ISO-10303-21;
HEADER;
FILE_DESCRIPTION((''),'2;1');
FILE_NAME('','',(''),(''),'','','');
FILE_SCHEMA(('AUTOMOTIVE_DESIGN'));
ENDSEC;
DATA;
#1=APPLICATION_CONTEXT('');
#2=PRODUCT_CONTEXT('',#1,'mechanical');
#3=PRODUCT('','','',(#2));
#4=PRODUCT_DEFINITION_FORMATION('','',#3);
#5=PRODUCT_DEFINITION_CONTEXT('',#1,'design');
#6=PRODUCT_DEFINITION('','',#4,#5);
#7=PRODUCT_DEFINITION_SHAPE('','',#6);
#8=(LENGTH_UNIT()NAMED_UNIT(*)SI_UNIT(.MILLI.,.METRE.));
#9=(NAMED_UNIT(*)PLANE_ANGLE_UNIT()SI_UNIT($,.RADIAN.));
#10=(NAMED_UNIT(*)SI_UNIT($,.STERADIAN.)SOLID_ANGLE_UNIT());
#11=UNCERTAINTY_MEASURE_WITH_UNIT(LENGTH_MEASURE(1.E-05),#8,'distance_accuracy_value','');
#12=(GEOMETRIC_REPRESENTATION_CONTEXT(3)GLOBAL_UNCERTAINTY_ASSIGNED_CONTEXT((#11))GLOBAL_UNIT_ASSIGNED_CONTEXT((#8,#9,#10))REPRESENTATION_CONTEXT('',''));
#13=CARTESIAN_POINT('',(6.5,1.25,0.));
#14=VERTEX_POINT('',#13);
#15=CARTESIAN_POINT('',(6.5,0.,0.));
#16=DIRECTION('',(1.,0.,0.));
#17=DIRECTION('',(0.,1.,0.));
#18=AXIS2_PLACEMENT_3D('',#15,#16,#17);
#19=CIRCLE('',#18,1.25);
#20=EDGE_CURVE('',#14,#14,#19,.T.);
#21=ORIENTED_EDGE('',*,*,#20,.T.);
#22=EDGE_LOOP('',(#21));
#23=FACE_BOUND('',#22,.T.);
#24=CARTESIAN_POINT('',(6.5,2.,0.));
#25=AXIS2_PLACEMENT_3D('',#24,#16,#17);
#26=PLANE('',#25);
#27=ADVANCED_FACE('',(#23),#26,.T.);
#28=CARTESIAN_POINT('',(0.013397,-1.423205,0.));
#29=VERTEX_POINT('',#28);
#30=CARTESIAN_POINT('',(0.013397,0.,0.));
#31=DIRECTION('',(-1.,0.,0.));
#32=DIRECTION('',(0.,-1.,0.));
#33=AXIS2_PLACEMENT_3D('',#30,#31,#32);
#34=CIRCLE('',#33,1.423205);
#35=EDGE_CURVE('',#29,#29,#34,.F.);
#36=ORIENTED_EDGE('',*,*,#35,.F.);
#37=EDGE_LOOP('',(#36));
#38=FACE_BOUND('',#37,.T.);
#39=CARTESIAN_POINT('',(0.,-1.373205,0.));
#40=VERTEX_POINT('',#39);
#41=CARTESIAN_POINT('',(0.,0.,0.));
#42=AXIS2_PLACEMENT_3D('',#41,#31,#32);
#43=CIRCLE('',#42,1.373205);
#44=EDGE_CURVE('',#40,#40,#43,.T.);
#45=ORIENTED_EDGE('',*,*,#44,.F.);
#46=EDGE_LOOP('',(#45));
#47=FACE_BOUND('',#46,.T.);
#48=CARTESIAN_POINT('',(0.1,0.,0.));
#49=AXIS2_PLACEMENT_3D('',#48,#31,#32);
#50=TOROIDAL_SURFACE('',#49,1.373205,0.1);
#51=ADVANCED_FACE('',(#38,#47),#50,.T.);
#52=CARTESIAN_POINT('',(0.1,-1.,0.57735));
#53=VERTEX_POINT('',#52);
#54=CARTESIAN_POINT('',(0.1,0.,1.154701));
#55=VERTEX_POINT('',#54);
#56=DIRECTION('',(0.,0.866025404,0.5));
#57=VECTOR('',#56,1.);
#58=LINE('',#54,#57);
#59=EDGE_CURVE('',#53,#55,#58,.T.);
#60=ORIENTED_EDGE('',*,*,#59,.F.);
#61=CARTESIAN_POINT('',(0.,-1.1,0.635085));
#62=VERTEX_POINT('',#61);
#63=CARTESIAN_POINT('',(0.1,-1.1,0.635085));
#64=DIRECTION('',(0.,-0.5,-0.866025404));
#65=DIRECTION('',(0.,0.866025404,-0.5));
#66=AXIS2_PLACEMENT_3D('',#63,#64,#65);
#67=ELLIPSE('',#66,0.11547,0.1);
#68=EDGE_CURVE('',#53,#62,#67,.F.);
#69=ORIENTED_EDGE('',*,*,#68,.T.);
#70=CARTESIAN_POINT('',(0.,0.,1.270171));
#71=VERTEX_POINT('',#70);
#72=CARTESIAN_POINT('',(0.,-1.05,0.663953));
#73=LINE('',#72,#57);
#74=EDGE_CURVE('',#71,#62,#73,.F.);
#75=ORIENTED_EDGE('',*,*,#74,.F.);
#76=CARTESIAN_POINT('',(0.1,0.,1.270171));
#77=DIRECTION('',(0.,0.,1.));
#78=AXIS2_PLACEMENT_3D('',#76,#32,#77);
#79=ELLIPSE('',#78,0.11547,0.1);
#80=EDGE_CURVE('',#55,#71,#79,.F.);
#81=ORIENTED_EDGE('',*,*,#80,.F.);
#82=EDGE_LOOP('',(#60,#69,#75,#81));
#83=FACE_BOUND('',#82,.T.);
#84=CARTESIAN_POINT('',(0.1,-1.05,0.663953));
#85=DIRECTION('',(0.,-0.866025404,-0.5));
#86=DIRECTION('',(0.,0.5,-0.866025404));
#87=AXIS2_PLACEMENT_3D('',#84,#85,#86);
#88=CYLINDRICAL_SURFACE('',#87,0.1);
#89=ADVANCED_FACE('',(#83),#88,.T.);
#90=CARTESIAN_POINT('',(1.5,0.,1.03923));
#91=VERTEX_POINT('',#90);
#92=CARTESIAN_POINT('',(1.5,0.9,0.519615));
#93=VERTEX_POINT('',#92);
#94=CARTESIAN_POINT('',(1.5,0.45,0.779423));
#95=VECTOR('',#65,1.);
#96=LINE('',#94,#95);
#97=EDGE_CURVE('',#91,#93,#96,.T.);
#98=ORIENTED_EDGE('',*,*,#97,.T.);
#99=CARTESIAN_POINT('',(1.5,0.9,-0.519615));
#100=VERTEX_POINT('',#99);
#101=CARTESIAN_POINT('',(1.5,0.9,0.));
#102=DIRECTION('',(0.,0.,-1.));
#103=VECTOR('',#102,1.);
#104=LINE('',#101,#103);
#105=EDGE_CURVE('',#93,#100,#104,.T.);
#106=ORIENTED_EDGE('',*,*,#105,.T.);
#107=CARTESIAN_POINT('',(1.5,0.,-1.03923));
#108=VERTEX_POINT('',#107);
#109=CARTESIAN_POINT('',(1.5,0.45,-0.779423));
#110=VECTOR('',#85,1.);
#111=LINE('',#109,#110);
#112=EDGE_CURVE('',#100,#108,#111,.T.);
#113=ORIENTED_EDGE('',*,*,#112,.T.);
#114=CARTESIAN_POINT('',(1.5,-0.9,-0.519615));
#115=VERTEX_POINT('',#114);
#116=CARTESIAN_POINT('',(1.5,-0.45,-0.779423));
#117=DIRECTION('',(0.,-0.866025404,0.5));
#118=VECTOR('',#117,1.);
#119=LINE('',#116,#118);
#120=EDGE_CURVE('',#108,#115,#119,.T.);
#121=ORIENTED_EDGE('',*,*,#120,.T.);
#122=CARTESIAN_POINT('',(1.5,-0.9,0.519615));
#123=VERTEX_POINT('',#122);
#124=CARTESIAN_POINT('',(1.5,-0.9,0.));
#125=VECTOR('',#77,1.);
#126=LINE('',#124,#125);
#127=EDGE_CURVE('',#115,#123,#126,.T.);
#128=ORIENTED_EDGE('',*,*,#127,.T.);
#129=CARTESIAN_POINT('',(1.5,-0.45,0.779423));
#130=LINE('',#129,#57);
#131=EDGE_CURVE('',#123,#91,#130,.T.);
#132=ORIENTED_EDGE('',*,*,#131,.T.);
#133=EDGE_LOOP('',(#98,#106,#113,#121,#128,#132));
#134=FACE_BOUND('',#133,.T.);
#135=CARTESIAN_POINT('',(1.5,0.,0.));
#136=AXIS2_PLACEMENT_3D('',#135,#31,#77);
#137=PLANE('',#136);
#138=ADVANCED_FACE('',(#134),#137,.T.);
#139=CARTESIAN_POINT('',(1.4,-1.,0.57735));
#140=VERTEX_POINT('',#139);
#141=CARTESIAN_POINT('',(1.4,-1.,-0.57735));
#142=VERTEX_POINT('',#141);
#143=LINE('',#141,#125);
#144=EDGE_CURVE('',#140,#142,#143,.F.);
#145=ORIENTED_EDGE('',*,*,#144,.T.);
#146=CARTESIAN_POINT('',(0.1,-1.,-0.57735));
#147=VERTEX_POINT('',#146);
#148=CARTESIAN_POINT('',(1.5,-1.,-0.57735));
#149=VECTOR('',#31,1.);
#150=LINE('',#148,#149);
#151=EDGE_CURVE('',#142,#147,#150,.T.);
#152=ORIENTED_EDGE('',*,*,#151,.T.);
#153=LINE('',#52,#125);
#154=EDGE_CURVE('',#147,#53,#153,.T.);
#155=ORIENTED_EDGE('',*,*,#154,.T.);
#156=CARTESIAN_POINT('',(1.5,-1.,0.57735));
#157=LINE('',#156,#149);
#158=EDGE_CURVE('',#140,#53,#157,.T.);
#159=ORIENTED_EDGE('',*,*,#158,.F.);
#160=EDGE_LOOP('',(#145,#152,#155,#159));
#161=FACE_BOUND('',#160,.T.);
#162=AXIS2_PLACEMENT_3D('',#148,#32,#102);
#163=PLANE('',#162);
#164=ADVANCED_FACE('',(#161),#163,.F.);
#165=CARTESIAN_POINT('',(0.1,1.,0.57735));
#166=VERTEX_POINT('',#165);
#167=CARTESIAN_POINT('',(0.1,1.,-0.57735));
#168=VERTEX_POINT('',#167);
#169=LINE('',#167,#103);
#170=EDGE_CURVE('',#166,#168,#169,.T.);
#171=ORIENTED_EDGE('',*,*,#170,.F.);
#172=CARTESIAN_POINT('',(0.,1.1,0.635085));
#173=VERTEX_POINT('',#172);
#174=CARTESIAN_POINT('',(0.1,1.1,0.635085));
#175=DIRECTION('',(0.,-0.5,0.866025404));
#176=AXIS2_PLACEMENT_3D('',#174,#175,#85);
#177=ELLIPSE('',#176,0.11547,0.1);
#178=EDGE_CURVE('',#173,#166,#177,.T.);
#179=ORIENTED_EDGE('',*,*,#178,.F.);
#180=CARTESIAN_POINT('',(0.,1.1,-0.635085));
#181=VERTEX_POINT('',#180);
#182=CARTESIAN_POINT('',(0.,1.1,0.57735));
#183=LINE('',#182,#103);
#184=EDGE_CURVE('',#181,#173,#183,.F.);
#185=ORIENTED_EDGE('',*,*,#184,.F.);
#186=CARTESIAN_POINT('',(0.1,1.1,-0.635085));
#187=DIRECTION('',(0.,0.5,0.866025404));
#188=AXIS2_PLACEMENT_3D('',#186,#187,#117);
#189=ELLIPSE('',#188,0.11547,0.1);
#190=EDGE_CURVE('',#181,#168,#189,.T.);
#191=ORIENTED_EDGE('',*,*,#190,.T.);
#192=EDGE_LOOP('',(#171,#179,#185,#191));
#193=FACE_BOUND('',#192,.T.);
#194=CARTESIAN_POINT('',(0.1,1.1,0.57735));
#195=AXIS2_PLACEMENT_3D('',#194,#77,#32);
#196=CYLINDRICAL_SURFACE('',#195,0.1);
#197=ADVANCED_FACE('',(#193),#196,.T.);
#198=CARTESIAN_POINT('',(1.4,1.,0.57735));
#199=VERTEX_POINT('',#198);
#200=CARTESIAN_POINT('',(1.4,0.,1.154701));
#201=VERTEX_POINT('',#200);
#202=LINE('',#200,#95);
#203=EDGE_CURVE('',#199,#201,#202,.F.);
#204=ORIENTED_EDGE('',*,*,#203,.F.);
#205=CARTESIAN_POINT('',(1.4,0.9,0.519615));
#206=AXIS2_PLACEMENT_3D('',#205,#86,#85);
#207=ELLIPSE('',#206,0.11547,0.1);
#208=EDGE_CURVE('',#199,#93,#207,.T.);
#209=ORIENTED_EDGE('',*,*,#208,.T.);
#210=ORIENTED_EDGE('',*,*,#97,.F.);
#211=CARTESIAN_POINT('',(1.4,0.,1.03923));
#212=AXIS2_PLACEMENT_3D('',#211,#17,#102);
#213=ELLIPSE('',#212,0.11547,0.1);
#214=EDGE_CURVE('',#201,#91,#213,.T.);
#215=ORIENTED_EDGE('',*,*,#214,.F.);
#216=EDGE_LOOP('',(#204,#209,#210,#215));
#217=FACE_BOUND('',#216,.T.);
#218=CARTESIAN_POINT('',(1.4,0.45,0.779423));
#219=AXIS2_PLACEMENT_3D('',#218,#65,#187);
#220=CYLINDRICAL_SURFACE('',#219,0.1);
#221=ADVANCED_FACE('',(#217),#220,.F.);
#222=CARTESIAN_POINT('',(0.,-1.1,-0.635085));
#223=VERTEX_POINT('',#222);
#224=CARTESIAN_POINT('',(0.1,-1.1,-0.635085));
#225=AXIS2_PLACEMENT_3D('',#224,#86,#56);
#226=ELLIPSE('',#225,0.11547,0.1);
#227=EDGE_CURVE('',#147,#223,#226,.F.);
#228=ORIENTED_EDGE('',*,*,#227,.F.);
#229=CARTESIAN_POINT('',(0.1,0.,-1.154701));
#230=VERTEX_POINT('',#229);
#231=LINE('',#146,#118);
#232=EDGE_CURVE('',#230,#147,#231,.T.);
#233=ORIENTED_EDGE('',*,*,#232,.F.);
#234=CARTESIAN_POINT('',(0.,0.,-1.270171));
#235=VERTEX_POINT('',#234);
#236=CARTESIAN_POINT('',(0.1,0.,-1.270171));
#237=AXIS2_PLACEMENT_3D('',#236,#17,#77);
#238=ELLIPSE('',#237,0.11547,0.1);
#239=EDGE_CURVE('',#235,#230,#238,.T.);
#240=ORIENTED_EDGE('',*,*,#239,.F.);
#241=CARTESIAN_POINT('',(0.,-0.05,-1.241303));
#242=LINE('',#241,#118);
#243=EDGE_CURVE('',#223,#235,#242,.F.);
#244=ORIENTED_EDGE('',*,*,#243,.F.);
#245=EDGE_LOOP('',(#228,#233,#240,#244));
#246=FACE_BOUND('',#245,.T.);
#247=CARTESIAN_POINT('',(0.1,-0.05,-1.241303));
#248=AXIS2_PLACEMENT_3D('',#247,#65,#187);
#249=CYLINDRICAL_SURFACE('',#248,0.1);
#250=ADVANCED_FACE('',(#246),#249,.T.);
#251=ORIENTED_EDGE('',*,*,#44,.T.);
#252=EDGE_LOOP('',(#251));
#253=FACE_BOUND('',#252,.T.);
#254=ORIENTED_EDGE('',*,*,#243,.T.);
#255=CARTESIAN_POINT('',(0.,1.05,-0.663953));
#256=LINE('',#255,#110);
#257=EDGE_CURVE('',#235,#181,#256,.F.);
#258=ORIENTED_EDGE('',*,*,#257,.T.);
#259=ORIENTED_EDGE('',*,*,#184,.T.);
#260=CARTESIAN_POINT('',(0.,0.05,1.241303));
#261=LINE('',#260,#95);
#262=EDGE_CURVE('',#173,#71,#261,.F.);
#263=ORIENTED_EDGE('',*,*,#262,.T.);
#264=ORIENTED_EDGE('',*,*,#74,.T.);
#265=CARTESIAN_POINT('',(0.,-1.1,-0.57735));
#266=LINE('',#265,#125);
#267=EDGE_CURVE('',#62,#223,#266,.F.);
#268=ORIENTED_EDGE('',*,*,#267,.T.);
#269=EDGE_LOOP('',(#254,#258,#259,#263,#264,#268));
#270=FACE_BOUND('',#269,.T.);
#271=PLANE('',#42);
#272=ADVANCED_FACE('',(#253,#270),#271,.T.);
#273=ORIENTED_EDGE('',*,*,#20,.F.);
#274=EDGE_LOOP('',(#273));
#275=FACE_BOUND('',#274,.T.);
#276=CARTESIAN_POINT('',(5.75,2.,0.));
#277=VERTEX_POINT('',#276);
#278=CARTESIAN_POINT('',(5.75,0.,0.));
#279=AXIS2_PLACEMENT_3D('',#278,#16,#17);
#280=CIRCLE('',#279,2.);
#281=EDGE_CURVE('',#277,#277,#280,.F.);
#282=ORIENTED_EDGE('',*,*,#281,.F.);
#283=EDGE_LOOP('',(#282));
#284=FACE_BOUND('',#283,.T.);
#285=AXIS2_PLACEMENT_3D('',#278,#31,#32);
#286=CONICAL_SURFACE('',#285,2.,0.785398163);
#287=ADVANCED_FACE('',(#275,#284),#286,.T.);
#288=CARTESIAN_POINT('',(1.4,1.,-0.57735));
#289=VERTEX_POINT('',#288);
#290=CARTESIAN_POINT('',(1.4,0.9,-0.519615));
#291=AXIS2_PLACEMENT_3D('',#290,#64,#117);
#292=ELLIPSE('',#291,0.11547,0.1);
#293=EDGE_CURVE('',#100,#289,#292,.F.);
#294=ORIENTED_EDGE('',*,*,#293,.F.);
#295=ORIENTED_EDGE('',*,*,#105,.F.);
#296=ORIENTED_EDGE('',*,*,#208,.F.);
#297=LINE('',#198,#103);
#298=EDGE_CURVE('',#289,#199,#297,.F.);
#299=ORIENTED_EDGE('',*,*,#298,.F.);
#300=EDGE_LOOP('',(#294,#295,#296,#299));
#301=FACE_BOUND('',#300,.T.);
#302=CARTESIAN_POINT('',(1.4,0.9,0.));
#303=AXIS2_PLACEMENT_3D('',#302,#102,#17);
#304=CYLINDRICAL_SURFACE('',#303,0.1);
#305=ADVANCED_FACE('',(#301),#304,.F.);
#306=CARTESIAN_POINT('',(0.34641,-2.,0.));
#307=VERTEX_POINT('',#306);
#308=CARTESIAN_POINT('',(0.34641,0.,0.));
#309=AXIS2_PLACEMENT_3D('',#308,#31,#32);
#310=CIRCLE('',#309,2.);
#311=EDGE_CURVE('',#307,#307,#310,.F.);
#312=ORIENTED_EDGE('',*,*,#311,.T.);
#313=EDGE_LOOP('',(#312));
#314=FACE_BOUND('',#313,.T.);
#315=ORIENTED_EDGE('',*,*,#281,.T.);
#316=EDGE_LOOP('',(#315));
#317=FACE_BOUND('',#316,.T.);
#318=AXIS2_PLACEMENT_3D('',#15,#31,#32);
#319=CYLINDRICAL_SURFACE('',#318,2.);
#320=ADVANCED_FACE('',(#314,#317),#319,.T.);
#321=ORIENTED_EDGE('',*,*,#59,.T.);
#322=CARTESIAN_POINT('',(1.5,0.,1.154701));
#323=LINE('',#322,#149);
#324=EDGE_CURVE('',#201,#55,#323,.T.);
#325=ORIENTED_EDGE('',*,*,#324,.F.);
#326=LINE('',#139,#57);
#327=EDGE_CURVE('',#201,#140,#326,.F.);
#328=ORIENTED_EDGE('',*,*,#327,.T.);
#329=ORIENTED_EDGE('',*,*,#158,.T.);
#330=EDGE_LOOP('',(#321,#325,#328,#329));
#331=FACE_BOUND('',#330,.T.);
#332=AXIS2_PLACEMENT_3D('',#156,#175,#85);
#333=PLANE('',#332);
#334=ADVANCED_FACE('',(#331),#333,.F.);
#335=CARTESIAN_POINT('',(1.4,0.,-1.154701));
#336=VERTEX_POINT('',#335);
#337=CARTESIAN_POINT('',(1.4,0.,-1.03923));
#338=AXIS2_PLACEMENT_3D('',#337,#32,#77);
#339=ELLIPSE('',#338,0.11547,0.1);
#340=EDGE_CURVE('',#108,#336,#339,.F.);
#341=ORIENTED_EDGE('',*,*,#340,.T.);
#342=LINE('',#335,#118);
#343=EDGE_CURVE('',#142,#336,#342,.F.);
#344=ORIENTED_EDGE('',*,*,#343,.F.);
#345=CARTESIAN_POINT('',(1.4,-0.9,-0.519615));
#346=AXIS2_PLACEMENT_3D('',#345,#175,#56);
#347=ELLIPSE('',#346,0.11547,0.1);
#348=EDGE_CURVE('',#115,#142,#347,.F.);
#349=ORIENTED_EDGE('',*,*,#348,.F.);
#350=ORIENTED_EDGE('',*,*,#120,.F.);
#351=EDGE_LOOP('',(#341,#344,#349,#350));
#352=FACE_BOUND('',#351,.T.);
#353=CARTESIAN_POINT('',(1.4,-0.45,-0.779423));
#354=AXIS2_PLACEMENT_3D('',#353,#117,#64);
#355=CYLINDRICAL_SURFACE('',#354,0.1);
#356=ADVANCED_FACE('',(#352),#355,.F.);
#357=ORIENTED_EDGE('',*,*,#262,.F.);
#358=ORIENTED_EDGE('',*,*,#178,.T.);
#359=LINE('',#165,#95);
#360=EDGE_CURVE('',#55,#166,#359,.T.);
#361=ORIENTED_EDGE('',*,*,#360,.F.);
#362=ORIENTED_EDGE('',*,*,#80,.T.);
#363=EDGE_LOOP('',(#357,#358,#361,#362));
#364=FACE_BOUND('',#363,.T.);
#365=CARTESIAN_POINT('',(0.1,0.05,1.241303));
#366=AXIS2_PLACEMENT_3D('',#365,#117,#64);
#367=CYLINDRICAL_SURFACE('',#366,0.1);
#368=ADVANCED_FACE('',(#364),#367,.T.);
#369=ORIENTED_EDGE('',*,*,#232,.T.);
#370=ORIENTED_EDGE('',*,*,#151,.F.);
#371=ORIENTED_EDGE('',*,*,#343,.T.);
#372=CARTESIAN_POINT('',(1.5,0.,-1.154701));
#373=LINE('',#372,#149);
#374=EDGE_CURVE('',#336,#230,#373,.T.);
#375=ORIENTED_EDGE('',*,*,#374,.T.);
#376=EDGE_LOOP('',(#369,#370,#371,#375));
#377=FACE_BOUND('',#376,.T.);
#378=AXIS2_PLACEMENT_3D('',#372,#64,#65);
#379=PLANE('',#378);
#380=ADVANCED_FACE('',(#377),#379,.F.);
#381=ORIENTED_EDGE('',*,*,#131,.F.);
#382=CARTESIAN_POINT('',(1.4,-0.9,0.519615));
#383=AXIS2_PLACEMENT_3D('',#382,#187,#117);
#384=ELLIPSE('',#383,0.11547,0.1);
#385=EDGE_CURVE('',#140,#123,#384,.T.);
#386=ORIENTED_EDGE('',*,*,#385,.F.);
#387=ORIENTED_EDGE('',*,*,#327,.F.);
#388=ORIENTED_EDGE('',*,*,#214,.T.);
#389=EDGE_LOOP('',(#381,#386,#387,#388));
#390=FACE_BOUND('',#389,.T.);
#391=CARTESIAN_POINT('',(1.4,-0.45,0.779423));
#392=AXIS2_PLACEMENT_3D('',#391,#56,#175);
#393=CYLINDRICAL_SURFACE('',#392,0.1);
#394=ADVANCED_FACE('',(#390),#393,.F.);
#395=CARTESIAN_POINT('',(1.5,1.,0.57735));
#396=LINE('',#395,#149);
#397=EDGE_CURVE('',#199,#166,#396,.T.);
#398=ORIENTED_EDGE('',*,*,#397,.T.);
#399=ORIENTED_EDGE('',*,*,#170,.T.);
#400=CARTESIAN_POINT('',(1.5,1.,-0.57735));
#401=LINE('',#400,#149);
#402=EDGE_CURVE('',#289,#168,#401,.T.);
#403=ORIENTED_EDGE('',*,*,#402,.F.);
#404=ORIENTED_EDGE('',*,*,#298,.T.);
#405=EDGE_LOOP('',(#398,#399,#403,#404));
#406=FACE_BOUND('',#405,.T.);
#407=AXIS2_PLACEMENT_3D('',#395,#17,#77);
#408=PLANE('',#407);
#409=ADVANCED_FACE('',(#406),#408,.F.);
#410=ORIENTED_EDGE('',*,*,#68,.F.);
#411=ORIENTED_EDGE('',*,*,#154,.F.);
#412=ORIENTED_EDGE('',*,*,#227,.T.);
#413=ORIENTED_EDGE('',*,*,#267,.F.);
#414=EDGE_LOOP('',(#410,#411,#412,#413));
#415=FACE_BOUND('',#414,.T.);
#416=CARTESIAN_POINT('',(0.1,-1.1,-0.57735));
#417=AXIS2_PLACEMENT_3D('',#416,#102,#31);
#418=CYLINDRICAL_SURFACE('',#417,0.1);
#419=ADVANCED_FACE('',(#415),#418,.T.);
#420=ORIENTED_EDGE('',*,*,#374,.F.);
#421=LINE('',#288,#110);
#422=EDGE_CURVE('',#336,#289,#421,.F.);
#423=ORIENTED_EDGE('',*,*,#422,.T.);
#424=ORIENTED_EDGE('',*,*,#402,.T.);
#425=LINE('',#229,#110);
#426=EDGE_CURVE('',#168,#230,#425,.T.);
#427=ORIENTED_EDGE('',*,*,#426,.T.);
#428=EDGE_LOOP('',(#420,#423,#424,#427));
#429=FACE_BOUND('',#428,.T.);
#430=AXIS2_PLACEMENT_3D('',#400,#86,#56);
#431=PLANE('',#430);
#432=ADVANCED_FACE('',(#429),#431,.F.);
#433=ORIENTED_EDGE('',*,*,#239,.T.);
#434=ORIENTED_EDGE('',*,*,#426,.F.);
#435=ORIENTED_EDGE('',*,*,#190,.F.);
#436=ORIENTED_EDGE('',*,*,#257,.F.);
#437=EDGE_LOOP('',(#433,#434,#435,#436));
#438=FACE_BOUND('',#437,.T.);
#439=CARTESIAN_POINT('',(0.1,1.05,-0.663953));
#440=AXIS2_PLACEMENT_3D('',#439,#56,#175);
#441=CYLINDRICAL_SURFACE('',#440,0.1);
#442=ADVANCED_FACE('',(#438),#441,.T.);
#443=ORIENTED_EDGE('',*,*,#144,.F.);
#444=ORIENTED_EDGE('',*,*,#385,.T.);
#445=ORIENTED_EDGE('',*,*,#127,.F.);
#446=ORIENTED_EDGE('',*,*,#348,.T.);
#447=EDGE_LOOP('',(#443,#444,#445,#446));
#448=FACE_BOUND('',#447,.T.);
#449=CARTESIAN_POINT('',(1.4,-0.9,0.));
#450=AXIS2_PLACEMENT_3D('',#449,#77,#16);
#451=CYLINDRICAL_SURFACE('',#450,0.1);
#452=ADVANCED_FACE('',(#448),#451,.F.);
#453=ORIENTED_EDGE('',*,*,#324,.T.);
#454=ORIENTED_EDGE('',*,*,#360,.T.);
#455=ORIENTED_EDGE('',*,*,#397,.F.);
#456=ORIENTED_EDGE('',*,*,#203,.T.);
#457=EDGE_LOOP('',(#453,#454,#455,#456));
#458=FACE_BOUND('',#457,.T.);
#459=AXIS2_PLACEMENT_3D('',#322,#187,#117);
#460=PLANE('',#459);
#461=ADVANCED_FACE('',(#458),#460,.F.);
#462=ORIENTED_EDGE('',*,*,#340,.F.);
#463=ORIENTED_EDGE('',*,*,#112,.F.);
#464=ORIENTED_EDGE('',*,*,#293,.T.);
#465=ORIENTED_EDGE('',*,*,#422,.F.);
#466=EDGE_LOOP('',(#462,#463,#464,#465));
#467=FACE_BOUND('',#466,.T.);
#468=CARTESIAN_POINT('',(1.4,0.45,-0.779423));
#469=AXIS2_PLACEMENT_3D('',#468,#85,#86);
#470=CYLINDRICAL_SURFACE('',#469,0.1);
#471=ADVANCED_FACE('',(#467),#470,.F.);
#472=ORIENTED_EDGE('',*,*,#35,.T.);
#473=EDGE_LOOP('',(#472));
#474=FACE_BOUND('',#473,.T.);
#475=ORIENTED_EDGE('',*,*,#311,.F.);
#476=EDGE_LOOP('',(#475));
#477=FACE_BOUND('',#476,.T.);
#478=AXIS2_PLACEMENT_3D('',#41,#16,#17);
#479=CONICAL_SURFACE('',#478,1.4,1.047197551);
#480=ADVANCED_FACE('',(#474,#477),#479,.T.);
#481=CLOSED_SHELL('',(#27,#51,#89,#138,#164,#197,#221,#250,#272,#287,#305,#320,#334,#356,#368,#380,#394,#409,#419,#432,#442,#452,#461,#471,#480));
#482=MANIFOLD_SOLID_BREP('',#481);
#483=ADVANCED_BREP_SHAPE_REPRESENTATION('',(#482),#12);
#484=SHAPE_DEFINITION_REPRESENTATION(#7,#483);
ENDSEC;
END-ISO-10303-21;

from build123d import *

# Parameters (mm, degrees)
SKETCH_1_W          = 6.5
SKETCH_1_H          = 2
CUT_EXTRUDE_1_DEPTH = 1.5
CHAMFER_1_SIZE      = 0.75
CHAMFER_2_SIZE      = 0.6
CHAMFER_2_SIZE2     = 0.346410161
FILLET_1_R          = 0.1


with BuildPart() as part:
    # Эскиз1 → Повернуть1 (revolve)
    with BuildSketch(Plane(origin=(0, 0, 0), x_dir=(-1, 0, 0), z_dir=(0, 0, -1))):
        with Locations((-3.25, 1)):
            Rectangle(SKETCH_1_W, SKETCH_1_H)
    revolve(axis=Axis((6.5, 0, 0), (-1, 0, 0)))

    # Эскиз2 → Вырез-Вытянуть1 (cut)
    with BuildSketch(Plane.ZY):
        Polygon((1.154700538, 0), (0.577350269, 1), (-0.577350269, 1), (-1.154700538, 0), (-0.577350269, -1), (0.577350269, -1), align=None)
    extrude(amount=-CUT_EXTRUDE_1_DEPTH, mode=Mode.SUBTRACT)

    # Фаска1
    chamfer_1_edges = [part.edges().sort_by_distance(p)[0] for p in [
        (6.5, -2, 0),
    ]]
    chamfer(chamfer_1_edges, length=CHAMFER_1_SIZE)

    # Фаска2
    chamfer_2_edges = [part.edges().sort_by_distance(p)[0] for p in [
        (0, -2, 0),
    ]]
    chamfer_2_side = [part.faces().sort_by_distance(p)[0] for p in [
        (0, -1.943431458, 0),
    ]]
    chamfer(chamfer_2_edges, length=CHAMFER_2_SIZE, length2=CHAMFER_2_SIZE2, reference=chamfer_2_side[0])

    # Скругление1
    fillet_1_edges = [part.edges().sort_by_distance(p)[0] for p in [
        (1.5, -0.5, 0.866025404),
        (1.5, -1, 0),
        (1.5, -0.5, -0.866025404),
        (1.5, 0.5, -0.866025404),
        (1.5, 1, 0),
        (1.5, 0.5, 0.866025404),
        (0, -0.5, 0.866025404),
        (0, 0.5, 0.866025404),
        (0, 1, 0),
        (0, 0.5, -0.866025404),
        (0, -0.5, -0.866025404),
        (0, -1, 0),
        (0, -1.4, 0),
    ]]
    fillet(fillet_1_edges, radius=FILLET_1_R)


solid = part.part
